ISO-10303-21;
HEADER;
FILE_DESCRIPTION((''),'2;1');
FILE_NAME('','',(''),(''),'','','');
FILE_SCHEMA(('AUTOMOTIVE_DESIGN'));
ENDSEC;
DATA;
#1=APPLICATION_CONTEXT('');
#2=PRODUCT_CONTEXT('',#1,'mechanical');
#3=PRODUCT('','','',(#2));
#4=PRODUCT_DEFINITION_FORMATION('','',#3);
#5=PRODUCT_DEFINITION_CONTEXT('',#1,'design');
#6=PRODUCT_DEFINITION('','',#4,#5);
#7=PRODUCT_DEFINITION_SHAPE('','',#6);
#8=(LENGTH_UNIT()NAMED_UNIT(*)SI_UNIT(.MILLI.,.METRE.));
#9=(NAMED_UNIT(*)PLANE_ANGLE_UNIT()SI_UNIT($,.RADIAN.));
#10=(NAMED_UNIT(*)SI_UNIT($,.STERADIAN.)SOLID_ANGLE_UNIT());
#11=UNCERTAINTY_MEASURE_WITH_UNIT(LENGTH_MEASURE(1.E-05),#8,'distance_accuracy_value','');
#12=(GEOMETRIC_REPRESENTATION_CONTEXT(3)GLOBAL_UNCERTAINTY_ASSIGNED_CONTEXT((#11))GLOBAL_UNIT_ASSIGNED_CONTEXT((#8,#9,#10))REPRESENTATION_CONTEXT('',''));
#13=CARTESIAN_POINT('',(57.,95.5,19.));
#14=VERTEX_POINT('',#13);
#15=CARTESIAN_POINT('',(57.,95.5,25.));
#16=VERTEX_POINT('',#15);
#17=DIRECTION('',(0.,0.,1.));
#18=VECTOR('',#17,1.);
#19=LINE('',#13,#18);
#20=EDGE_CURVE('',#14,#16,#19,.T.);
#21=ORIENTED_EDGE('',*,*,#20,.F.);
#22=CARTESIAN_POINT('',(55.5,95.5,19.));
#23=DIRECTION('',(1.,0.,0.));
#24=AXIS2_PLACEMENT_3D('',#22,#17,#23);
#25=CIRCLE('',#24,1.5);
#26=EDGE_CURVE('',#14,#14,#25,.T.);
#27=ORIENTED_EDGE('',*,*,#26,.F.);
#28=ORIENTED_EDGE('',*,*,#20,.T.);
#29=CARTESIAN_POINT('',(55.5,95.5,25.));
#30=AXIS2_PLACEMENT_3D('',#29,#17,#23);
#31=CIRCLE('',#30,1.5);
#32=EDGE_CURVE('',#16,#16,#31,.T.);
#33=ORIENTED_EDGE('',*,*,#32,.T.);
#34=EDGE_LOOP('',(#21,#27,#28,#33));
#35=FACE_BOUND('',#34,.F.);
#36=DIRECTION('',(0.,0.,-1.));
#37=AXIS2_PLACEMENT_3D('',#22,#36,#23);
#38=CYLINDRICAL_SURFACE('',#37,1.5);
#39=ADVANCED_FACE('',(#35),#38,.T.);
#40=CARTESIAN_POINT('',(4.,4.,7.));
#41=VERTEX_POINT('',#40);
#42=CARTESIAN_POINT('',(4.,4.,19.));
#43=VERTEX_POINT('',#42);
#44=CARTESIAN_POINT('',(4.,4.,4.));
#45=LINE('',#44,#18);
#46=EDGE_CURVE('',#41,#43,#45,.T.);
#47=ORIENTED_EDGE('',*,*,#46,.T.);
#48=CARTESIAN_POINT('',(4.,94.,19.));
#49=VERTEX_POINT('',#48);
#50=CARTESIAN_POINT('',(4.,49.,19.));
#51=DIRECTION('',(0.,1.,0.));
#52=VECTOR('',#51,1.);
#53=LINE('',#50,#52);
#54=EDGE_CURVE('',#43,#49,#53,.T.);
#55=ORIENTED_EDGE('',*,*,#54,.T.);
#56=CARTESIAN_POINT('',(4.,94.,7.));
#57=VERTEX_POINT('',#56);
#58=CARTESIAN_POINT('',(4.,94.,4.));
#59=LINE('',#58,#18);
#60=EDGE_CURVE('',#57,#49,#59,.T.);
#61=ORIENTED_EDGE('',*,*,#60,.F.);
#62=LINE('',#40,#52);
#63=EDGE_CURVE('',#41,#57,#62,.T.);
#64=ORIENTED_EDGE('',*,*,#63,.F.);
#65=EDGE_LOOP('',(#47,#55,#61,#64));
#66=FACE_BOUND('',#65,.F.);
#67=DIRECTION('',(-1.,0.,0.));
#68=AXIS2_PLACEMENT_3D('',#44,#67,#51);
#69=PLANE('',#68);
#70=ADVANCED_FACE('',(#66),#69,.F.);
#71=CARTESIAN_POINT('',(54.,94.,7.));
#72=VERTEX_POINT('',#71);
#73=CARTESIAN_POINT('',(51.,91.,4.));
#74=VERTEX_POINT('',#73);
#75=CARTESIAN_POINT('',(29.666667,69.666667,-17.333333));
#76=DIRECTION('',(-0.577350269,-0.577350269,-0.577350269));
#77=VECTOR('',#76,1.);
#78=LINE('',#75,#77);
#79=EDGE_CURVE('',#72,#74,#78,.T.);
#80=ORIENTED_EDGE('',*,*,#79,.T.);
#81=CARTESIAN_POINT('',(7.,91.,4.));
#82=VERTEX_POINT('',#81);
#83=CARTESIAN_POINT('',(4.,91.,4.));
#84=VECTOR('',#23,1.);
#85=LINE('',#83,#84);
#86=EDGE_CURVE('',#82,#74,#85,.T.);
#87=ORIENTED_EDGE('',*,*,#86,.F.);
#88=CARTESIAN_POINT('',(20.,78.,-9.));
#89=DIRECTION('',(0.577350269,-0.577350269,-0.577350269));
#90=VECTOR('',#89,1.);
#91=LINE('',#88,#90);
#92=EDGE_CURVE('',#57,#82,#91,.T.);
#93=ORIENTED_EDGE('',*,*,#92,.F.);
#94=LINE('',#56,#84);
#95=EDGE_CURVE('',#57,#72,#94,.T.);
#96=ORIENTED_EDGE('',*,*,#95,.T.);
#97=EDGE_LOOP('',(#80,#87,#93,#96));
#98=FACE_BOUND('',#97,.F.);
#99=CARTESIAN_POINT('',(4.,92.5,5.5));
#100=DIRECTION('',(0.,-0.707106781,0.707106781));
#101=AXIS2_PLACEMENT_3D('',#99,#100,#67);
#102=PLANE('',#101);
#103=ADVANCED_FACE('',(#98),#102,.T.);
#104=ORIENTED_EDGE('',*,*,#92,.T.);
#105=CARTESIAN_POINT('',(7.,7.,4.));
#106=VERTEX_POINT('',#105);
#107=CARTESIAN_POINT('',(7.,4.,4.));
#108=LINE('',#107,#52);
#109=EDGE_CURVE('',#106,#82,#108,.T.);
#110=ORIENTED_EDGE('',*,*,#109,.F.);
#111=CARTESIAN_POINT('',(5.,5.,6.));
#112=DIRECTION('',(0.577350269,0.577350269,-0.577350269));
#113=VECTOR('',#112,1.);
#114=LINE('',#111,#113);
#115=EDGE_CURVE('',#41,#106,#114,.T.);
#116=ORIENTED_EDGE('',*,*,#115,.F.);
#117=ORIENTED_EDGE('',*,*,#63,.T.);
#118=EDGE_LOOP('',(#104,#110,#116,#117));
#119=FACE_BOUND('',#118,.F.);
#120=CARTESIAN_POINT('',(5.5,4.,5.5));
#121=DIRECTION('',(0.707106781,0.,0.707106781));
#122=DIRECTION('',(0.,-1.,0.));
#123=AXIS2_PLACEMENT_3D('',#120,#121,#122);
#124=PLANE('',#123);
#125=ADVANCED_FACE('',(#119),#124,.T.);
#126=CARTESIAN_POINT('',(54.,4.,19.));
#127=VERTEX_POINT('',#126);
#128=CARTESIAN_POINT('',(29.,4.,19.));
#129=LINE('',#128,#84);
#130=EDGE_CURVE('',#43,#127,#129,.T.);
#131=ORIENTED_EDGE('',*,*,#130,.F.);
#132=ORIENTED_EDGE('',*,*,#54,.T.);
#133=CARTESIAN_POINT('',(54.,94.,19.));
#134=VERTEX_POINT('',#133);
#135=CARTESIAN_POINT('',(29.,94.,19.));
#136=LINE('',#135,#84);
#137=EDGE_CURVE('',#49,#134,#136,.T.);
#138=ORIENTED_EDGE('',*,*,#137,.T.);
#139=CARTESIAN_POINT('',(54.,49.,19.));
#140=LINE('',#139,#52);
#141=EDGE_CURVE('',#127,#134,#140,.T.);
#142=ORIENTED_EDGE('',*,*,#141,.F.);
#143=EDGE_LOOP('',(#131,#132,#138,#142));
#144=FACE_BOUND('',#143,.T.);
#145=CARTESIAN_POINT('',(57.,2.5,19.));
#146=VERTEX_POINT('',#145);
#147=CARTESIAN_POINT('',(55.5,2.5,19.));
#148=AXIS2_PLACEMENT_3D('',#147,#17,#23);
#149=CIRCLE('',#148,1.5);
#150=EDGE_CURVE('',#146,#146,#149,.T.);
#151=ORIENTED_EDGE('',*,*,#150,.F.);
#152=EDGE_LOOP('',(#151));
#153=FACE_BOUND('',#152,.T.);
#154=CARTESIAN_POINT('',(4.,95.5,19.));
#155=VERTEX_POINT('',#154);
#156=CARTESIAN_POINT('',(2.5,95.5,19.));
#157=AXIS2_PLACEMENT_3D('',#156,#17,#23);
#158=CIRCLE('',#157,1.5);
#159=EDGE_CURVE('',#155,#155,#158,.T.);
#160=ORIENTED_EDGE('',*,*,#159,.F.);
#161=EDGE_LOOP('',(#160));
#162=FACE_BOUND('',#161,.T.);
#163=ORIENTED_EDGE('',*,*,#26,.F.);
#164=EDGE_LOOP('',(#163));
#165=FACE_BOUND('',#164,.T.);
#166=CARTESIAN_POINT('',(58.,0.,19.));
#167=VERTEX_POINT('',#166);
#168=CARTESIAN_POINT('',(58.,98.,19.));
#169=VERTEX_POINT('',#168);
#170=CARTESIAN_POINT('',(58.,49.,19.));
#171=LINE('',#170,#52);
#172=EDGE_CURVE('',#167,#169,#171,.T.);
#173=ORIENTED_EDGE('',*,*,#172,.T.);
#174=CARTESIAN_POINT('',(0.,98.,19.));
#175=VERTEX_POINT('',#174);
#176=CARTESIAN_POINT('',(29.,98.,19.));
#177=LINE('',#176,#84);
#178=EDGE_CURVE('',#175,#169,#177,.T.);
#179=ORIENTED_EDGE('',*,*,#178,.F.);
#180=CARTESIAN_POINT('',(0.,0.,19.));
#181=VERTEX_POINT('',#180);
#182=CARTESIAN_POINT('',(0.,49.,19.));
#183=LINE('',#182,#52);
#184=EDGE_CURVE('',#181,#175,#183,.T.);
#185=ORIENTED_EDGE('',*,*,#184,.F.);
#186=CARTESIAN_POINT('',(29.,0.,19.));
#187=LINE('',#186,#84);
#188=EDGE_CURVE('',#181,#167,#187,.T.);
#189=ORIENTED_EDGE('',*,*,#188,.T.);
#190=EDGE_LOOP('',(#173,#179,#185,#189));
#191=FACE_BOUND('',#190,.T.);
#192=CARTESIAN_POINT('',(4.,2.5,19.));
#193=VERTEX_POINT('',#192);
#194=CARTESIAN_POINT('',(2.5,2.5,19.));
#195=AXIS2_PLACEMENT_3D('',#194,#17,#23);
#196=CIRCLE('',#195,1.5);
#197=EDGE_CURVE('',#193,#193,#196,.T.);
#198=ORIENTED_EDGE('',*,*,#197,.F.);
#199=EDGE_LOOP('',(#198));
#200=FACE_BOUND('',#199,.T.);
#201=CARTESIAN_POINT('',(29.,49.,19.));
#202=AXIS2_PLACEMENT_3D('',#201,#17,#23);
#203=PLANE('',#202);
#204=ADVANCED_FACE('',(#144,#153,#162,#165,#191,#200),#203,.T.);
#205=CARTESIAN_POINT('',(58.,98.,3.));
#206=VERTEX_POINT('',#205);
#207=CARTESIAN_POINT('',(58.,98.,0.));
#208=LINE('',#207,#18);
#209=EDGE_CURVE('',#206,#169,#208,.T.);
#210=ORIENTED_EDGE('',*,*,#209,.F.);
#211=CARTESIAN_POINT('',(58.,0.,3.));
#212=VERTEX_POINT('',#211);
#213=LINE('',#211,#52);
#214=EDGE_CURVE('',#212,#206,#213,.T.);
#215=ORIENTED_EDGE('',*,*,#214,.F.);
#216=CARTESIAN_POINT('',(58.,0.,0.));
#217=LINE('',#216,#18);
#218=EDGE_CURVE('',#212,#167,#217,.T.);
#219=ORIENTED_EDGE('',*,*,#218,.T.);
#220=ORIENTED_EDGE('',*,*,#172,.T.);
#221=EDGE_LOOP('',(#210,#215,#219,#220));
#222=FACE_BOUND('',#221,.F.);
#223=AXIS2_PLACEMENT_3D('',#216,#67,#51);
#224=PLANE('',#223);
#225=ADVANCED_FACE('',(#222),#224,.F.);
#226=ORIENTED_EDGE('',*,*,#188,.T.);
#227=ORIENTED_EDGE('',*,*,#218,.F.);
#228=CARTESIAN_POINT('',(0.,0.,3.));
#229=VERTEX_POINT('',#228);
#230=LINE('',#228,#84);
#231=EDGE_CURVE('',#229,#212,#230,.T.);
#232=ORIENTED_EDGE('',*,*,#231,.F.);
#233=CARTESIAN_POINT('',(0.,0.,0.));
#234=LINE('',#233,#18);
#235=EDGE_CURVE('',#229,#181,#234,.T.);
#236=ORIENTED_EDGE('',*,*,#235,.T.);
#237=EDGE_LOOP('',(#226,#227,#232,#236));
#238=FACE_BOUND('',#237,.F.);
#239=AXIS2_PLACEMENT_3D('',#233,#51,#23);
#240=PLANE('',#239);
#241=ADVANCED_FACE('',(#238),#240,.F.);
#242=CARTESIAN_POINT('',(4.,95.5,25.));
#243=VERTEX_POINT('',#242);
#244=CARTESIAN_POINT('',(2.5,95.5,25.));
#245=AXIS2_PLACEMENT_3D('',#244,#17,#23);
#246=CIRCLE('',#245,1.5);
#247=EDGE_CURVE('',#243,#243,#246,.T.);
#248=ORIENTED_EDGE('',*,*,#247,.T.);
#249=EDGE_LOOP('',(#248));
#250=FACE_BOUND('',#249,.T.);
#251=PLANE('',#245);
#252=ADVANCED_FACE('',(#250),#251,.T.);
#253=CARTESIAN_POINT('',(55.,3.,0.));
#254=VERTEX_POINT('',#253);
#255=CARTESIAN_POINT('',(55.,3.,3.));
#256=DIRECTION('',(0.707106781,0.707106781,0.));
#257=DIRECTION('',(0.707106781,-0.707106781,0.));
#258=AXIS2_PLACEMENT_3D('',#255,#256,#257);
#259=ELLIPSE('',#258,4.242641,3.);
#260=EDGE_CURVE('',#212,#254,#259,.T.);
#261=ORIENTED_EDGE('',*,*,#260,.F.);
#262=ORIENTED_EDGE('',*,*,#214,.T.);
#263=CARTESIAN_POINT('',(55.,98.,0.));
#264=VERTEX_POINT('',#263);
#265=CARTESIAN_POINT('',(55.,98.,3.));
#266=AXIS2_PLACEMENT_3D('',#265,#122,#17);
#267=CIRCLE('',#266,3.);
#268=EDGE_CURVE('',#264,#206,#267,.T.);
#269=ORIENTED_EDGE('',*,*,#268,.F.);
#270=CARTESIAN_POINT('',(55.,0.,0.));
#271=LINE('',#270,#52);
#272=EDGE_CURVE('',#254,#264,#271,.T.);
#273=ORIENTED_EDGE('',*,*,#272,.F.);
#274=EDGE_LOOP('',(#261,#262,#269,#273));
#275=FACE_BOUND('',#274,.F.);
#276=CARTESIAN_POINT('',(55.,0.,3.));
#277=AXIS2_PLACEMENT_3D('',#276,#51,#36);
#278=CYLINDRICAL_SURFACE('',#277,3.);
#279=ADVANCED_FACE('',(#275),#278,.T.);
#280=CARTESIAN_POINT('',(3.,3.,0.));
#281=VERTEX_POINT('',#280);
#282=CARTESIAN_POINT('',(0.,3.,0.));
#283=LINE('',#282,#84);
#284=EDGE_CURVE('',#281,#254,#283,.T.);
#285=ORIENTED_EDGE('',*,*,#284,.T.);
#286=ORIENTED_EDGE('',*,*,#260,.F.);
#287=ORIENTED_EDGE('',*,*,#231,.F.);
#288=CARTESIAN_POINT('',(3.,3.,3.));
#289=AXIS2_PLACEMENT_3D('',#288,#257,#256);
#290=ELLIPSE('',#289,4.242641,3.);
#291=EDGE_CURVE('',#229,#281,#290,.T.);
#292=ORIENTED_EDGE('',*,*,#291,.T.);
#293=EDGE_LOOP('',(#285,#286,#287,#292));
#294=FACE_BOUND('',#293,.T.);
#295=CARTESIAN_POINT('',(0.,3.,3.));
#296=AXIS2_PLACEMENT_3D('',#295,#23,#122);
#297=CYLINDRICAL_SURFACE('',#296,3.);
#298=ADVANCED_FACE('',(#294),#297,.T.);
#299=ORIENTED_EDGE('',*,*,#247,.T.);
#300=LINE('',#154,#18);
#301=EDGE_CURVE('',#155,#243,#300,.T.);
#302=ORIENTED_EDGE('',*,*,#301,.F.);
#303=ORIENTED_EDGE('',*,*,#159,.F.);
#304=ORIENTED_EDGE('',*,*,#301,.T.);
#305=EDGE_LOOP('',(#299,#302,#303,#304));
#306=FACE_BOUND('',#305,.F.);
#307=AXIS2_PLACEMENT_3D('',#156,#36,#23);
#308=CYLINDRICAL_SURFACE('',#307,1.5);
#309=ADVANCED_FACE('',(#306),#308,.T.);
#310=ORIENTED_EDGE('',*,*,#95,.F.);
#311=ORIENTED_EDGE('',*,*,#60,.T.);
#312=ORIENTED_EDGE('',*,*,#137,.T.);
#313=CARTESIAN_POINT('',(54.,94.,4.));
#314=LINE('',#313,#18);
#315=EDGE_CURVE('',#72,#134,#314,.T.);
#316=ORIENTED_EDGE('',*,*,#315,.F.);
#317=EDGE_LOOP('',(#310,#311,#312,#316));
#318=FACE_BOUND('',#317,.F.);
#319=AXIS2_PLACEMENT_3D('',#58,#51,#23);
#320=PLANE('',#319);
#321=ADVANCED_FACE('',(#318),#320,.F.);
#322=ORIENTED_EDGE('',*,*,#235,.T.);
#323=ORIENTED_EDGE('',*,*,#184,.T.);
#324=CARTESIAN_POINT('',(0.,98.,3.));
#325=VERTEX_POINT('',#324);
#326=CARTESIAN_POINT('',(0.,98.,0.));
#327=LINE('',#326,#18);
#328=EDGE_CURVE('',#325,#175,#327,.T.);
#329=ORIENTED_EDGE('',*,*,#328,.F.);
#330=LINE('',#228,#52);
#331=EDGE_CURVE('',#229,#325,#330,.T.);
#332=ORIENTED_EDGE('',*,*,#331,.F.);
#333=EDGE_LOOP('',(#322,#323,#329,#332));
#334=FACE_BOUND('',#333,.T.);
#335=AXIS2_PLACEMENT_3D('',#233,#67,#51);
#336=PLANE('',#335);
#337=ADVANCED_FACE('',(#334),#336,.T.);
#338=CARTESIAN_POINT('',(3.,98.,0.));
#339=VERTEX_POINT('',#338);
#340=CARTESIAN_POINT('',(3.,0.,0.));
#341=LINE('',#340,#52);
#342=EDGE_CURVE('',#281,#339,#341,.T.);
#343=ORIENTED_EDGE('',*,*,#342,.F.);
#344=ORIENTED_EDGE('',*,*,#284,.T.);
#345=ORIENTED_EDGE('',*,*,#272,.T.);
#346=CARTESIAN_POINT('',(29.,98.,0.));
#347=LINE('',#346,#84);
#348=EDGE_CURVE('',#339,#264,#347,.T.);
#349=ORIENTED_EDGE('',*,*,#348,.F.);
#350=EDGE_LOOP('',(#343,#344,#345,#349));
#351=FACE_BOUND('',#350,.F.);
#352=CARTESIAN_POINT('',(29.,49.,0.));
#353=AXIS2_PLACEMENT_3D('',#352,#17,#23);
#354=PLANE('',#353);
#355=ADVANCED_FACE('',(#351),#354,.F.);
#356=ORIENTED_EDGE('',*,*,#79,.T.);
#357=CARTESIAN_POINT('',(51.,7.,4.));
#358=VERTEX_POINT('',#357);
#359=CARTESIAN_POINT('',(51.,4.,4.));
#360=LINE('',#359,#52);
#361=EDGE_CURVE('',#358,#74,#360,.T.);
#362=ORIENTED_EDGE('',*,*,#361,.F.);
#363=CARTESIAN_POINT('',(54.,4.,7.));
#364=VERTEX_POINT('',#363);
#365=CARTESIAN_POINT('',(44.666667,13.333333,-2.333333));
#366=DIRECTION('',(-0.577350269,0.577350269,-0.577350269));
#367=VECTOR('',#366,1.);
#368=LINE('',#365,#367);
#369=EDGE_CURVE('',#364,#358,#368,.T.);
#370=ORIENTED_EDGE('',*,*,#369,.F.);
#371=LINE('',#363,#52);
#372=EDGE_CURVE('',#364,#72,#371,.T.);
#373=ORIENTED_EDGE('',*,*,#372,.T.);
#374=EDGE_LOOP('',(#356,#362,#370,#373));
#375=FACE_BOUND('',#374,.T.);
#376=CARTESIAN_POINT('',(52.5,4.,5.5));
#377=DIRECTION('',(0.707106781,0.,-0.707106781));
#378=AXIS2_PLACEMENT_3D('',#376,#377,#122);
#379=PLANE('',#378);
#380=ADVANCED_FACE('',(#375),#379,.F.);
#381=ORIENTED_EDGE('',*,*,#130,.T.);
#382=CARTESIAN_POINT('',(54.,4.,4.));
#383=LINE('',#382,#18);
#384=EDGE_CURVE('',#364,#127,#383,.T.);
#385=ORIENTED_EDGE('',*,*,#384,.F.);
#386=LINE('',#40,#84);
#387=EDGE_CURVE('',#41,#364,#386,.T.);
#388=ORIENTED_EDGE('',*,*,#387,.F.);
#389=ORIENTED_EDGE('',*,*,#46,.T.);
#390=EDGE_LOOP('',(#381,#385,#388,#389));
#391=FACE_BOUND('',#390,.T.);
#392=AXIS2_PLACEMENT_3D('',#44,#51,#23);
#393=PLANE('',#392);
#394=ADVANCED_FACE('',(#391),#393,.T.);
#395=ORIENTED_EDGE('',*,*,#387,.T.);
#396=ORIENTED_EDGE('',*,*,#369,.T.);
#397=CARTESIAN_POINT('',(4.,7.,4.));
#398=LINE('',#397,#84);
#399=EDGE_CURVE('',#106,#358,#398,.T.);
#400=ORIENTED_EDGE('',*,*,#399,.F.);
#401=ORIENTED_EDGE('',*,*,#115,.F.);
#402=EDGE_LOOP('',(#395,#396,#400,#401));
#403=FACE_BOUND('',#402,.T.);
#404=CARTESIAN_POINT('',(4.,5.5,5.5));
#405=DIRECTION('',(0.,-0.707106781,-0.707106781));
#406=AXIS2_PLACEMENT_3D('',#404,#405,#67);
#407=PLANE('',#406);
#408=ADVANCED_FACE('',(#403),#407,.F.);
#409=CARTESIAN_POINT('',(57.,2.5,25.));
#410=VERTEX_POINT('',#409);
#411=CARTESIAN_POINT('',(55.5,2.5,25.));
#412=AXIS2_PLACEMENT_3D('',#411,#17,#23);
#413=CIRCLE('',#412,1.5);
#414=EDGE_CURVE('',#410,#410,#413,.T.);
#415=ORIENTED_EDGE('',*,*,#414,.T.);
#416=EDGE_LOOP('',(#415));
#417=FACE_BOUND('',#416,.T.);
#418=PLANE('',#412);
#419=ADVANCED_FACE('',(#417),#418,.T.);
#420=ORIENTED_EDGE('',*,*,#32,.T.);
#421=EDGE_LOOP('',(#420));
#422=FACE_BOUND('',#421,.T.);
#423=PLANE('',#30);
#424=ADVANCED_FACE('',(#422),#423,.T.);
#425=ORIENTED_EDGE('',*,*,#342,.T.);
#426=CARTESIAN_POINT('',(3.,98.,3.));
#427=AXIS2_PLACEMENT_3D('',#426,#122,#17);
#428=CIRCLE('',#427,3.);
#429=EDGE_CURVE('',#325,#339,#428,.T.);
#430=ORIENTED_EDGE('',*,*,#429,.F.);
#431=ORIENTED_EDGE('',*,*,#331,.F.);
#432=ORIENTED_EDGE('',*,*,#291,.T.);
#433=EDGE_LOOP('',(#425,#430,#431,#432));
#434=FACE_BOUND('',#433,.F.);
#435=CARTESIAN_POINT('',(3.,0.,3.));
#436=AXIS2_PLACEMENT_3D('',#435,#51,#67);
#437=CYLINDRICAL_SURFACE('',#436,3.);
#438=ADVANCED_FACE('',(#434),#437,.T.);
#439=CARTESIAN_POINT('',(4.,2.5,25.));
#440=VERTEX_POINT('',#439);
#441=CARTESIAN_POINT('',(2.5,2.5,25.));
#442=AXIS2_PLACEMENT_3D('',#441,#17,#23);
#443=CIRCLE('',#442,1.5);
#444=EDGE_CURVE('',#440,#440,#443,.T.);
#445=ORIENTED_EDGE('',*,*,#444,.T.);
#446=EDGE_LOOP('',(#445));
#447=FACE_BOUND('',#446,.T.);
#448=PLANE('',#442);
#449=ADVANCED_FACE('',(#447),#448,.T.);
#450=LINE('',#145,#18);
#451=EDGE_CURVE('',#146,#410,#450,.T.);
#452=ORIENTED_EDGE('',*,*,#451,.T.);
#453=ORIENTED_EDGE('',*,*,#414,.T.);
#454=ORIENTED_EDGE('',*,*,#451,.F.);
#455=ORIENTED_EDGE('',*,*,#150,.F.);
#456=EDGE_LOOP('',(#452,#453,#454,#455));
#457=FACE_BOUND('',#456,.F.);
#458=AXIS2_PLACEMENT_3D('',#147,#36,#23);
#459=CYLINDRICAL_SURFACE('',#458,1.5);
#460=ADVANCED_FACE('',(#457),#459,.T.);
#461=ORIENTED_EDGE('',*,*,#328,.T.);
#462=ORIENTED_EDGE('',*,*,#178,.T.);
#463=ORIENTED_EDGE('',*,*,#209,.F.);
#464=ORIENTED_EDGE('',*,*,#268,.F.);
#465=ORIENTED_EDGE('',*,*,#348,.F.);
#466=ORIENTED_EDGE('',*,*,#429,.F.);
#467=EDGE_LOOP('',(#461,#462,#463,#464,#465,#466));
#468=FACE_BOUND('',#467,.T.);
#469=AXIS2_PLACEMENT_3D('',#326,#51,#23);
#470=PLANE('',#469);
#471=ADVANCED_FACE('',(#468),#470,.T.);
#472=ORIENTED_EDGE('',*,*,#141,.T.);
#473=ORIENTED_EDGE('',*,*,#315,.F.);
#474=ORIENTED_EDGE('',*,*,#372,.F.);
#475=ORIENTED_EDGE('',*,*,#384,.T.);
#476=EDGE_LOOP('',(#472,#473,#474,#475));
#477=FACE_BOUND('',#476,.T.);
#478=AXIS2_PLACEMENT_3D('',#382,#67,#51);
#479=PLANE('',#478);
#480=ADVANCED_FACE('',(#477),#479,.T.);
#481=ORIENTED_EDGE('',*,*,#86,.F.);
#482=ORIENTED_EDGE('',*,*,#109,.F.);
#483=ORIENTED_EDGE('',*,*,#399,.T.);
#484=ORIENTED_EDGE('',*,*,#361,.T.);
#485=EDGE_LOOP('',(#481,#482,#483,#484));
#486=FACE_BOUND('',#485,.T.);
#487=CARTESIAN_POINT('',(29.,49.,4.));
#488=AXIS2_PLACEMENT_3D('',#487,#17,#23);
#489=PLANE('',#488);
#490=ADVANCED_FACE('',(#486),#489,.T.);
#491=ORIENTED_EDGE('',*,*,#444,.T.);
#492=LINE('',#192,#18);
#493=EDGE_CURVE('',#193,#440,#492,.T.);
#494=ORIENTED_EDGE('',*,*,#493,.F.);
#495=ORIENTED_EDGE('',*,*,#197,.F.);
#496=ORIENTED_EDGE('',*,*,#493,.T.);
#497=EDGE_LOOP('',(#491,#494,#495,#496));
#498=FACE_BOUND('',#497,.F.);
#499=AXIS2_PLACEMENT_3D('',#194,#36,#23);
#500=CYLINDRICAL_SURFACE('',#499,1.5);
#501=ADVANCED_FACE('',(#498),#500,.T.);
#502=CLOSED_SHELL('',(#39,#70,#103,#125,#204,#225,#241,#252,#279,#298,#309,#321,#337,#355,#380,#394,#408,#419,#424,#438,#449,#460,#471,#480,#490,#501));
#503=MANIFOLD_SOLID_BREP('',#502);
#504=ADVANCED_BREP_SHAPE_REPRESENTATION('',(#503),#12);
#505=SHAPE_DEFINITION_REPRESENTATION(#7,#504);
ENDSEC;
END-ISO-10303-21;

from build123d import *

# Parameters (mm, degrees)
CYLINDER001_R     = 1.5
CYLINDER001_DEPTH = 6
CYLINDER002_R     = 1.5
CYLINDER002_DEPTH = 6
CYLINDER_R        = 1.5
CYLINDER_DEPTH    = 6
CYLINDER003_R     = 1.5
CYLINDER003_DEPTH = 6
BOX001_W          = 50
BOX001_H          = 90
BOX001_DEPTH      = 15
CHAMFER_SIZE      = 3
BOX_W             = 58
BOX_H             = 98
BOX_DEPTH         = 19
FILLET_R          = 3


with BuildPart() as cylinder001:
    # Cylinder001 → Cylinder001 (new body)
    with BuildSketch(Plane(origin=(55.5, 2.5, 19), x_dir=(1, 0, 0), z_dir=(0, 0, 1))):
        Circle(CYLINDER001_R)
    extrude(amount=CYLINDER001_DEPTH)


with BuildPart() as cylinder002:
    # Cylinder002 → Cylinder002 (new body)
    with BuildSketch(Plane(origin=(2.5, 95.5, 19), x_dir=(1, 0, 0), z_dir=(0, 0, 1))):
        Circle(CYLINDER002_R)
    extrude(amount=CYLINDER002_DEPTH)


with BuildPart() as cylinder:
    # Cylinder → Cylinder (new body)
    with BuildSketch(Plane(origin=(2.5, 2.5, 19), x_dir=(1, 0, 0), z_dir=(0, 0, 1))):
        Circle(CYLINDER_R)
    extrude(amount=CYLINDER_DEPTH)


with BuildPart() as cylinder003:
    # Cylinder003 → Cylinder003 (new body)
    with BuildSketch(Plane(origin=(55.5, 95.5, 19), x_dir=(1, 0, 0), z_dir=(0, 0, 1))):
        Circle(CYLINDER003_R)
    extrude(amount=CYLINDER003_DEPTH)


with BuildPart() as chamfer_body:
    # Box001 → Box001 (new body)
    with BuildSketch(Plane(origin=(4, 4, 4), x_dir=(1, 0, 0), z_dir=(0, 0, 1))):
        with Locations((25, 45)):
            Rectangle(BOX001_W, BOX001_H)
    extrude(amount=BOX001_DEPTH)

    # Chamfer
    chamfer_edges = [chamfer_body.edges().sort_by_distance(p)[0] for p in [
        (4, 49, 4),
        (54, 49, 4),
        (29, 4, 4),
        (29, 94, 4),
    ]]
    chamfer(chamfer_edges, length=CHAMFER_SIZE)


with BuildPart() as fusion:
    # Box → Box (new body)
    with BuildSketch(Plane.XY):
        with Locations((29, 49)):
            Rectangle(BOX_W, BOX_H)
    extrude(amount=BOX_DEPTH)

    # Cut: cut Chamfer body
    add(chamfer_body.part, mode=Mode.SUBTRACT)

    # Fillet
    fillet_edges = [fusion.edges().sort_by_distance(p)[0] for p in [
        (0, 49, 0),
        (29, 0, 0),
        (58, 49, 0),
    ]]
    fillet(fillet_edges, radius=FILLET_R)

    # Fusion: union Cylinder001, Cylinder002, Cylinder, Cylinder003
    add(cylinder001.part)
    add(cylinder002.part)
    add(cylinder.part)
    add(cylinder003.part)


solid = fusion.part
